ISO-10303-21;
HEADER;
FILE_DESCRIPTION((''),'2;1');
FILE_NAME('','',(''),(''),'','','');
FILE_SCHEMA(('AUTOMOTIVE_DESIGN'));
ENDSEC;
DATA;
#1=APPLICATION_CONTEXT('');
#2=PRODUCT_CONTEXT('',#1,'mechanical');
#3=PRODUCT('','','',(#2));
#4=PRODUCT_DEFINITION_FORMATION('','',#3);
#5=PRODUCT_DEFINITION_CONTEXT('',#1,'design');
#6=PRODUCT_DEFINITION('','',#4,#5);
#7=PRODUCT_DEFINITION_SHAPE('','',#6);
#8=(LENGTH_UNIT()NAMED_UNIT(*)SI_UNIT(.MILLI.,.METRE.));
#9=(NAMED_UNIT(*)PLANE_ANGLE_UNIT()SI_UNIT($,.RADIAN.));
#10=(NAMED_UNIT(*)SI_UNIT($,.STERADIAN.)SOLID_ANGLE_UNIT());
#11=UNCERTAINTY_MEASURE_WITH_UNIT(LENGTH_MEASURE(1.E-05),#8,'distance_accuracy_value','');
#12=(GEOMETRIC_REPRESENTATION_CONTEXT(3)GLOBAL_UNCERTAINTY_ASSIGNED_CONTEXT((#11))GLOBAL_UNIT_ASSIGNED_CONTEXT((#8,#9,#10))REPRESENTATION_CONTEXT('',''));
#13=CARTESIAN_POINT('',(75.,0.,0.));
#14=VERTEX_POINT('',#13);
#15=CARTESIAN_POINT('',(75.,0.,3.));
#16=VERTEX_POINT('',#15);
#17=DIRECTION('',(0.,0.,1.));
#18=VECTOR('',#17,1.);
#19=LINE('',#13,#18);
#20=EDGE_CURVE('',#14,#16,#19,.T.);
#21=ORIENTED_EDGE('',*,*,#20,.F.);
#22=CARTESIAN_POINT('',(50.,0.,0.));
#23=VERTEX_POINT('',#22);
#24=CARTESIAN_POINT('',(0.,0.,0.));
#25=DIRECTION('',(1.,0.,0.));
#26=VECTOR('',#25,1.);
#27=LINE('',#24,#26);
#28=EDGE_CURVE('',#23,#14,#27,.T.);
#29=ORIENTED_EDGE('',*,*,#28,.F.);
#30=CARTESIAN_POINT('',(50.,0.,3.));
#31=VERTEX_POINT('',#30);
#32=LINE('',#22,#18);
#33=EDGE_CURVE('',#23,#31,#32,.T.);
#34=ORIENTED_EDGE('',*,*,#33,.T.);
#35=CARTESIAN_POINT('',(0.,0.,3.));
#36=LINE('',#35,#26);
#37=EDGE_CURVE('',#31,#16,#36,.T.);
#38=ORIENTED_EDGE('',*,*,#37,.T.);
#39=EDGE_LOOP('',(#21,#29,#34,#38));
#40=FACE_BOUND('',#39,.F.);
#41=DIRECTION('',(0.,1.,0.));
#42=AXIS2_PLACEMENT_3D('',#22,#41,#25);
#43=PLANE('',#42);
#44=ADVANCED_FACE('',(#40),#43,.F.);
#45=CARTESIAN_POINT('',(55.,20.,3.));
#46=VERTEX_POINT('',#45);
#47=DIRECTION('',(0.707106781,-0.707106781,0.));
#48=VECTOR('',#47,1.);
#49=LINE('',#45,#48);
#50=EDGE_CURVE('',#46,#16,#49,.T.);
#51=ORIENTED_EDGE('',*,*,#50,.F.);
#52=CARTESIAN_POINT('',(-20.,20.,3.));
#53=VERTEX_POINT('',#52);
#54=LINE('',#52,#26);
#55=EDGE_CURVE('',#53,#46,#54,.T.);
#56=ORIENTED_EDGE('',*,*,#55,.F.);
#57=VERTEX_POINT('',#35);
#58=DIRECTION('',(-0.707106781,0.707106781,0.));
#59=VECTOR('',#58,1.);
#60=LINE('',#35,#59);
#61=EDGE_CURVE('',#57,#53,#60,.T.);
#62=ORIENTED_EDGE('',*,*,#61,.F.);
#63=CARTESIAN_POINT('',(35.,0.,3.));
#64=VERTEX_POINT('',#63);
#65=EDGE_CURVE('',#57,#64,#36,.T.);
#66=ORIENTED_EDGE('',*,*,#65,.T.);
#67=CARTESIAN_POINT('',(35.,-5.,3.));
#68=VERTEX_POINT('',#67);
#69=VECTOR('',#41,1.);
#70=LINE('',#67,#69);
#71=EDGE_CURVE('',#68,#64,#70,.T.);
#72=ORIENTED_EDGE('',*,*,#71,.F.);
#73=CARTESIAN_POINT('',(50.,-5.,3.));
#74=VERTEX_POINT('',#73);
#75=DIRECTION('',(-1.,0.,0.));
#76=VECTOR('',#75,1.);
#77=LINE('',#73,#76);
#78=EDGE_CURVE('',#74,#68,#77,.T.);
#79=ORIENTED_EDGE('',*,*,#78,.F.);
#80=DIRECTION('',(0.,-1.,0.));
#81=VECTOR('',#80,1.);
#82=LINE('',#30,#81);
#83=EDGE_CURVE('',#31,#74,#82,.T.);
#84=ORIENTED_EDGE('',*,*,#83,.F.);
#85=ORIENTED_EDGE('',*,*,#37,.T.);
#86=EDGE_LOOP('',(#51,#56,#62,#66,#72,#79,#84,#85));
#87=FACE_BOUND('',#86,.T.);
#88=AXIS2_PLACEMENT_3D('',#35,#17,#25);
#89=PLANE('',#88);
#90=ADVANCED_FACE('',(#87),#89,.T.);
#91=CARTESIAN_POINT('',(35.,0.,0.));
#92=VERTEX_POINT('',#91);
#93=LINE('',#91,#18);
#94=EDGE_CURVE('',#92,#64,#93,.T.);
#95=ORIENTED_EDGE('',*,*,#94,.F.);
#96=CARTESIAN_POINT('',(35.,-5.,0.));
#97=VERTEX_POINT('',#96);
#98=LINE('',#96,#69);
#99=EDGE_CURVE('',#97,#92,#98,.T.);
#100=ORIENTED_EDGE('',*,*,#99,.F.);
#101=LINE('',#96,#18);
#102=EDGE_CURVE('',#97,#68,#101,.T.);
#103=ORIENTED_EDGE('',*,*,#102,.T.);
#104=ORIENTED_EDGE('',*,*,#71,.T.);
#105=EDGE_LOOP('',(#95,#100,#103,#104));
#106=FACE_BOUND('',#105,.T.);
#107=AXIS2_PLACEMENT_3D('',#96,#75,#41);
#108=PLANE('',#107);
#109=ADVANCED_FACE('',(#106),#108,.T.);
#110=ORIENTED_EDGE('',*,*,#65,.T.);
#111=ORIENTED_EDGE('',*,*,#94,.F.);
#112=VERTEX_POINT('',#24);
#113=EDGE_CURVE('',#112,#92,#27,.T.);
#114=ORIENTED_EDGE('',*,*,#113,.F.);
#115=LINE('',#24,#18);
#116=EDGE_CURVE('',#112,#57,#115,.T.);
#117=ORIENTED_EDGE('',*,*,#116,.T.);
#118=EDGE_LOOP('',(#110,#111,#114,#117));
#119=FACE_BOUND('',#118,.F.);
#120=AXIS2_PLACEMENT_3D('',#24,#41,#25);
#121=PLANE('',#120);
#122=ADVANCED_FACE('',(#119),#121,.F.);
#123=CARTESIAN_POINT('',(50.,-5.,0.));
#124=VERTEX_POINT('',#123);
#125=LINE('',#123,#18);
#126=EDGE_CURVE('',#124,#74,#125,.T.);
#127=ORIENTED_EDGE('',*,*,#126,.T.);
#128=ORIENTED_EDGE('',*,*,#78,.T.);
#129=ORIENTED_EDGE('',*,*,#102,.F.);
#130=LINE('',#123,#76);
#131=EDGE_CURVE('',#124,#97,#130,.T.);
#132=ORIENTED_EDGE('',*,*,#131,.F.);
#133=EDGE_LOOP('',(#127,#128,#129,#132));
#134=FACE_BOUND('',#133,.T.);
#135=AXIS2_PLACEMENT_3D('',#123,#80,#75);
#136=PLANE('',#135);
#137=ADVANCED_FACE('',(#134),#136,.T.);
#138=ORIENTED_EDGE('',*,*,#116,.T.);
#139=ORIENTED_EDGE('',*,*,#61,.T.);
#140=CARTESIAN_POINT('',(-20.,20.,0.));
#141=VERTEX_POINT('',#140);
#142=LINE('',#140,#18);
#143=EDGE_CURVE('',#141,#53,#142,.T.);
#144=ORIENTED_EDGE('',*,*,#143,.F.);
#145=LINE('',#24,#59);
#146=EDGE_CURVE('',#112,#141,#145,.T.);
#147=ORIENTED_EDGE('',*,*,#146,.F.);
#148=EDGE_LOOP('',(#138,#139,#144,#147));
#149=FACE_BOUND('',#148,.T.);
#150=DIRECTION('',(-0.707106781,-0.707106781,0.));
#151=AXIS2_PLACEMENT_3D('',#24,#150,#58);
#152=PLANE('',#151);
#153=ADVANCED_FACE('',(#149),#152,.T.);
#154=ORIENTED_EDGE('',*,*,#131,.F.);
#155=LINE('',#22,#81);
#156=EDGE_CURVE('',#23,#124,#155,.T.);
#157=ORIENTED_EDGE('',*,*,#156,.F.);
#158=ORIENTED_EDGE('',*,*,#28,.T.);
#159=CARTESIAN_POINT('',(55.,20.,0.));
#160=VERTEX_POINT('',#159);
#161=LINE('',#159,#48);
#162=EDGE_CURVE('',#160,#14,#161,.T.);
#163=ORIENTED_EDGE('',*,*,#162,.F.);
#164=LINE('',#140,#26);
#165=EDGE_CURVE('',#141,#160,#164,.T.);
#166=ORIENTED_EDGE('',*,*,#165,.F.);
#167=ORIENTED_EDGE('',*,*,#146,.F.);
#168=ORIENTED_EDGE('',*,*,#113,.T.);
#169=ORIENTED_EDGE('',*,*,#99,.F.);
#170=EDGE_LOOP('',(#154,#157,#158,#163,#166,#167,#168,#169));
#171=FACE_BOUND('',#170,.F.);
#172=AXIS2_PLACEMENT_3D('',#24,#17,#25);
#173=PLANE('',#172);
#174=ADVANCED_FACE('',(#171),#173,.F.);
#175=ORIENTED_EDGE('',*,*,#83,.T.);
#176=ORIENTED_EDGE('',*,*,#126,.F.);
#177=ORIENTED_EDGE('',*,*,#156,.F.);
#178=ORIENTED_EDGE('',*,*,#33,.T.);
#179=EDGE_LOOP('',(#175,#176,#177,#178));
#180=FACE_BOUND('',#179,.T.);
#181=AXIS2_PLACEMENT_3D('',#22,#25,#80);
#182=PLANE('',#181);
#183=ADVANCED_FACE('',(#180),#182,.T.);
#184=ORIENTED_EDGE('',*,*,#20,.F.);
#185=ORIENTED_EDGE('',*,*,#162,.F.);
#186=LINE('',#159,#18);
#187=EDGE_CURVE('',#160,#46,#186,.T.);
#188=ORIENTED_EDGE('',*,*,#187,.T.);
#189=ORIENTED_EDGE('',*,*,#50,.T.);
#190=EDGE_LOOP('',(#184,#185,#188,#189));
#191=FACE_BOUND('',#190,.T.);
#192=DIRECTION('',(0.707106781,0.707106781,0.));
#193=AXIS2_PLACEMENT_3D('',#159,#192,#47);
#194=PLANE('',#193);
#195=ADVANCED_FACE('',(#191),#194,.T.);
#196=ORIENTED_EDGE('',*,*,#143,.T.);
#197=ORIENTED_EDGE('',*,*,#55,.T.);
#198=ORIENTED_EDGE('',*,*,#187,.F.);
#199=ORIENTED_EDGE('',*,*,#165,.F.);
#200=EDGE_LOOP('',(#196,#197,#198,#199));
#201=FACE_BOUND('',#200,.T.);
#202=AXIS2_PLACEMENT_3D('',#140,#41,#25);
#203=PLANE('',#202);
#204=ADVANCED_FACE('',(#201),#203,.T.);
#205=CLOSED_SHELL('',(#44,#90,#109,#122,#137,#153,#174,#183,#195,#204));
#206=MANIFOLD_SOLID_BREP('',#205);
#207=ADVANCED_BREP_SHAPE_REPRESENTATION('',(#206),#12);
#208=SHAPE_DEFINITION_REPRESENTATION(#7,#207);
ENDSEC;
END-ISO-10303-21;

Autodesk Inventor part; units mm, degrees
ref_plane "YZ Plane" through (0, 0, 0) normal (1, 0, 0) x (0, 1, 0)
ref_plane "XZ Plane" through (0, 0, 0) normal (0, 1, 0) x (-1, 0, 0)
ref_plane "XY Plane" through (0, 0, 0) normal (0, 0, 1) x (1, 0, 0)
sketch "Sketch1" plane through (0, 0, 0) normal (0, 0, 1) x (1, 0, 0)
  line L0 (0, 0) -> (75, 0)
  line L1 (35, 0) -> (50, 0)
  line L2 (50, 0) -> (50, -5)
  line L3 (50, -5) -> (35, -5)
  line L4 (35, -5) -> (35, 0)
  line L5 (0, 0) -> (-20, 20)
  line L6 (-20, 20) -> (55, 20)
  line L7 (55, 20) -> (75, 0)
  point P0 (50, 0)
  dimension "d0" = 75
  dimension "d3" = 15
  dimension "d4" = 5
  dimension "d5" = 35
  dimension "d19" = 20
  dimension "d20" = 20
extrude "Extrusion1" add sketch "Sketch1" along normal blind 3
properties part number "Hinge Siderail 1"
